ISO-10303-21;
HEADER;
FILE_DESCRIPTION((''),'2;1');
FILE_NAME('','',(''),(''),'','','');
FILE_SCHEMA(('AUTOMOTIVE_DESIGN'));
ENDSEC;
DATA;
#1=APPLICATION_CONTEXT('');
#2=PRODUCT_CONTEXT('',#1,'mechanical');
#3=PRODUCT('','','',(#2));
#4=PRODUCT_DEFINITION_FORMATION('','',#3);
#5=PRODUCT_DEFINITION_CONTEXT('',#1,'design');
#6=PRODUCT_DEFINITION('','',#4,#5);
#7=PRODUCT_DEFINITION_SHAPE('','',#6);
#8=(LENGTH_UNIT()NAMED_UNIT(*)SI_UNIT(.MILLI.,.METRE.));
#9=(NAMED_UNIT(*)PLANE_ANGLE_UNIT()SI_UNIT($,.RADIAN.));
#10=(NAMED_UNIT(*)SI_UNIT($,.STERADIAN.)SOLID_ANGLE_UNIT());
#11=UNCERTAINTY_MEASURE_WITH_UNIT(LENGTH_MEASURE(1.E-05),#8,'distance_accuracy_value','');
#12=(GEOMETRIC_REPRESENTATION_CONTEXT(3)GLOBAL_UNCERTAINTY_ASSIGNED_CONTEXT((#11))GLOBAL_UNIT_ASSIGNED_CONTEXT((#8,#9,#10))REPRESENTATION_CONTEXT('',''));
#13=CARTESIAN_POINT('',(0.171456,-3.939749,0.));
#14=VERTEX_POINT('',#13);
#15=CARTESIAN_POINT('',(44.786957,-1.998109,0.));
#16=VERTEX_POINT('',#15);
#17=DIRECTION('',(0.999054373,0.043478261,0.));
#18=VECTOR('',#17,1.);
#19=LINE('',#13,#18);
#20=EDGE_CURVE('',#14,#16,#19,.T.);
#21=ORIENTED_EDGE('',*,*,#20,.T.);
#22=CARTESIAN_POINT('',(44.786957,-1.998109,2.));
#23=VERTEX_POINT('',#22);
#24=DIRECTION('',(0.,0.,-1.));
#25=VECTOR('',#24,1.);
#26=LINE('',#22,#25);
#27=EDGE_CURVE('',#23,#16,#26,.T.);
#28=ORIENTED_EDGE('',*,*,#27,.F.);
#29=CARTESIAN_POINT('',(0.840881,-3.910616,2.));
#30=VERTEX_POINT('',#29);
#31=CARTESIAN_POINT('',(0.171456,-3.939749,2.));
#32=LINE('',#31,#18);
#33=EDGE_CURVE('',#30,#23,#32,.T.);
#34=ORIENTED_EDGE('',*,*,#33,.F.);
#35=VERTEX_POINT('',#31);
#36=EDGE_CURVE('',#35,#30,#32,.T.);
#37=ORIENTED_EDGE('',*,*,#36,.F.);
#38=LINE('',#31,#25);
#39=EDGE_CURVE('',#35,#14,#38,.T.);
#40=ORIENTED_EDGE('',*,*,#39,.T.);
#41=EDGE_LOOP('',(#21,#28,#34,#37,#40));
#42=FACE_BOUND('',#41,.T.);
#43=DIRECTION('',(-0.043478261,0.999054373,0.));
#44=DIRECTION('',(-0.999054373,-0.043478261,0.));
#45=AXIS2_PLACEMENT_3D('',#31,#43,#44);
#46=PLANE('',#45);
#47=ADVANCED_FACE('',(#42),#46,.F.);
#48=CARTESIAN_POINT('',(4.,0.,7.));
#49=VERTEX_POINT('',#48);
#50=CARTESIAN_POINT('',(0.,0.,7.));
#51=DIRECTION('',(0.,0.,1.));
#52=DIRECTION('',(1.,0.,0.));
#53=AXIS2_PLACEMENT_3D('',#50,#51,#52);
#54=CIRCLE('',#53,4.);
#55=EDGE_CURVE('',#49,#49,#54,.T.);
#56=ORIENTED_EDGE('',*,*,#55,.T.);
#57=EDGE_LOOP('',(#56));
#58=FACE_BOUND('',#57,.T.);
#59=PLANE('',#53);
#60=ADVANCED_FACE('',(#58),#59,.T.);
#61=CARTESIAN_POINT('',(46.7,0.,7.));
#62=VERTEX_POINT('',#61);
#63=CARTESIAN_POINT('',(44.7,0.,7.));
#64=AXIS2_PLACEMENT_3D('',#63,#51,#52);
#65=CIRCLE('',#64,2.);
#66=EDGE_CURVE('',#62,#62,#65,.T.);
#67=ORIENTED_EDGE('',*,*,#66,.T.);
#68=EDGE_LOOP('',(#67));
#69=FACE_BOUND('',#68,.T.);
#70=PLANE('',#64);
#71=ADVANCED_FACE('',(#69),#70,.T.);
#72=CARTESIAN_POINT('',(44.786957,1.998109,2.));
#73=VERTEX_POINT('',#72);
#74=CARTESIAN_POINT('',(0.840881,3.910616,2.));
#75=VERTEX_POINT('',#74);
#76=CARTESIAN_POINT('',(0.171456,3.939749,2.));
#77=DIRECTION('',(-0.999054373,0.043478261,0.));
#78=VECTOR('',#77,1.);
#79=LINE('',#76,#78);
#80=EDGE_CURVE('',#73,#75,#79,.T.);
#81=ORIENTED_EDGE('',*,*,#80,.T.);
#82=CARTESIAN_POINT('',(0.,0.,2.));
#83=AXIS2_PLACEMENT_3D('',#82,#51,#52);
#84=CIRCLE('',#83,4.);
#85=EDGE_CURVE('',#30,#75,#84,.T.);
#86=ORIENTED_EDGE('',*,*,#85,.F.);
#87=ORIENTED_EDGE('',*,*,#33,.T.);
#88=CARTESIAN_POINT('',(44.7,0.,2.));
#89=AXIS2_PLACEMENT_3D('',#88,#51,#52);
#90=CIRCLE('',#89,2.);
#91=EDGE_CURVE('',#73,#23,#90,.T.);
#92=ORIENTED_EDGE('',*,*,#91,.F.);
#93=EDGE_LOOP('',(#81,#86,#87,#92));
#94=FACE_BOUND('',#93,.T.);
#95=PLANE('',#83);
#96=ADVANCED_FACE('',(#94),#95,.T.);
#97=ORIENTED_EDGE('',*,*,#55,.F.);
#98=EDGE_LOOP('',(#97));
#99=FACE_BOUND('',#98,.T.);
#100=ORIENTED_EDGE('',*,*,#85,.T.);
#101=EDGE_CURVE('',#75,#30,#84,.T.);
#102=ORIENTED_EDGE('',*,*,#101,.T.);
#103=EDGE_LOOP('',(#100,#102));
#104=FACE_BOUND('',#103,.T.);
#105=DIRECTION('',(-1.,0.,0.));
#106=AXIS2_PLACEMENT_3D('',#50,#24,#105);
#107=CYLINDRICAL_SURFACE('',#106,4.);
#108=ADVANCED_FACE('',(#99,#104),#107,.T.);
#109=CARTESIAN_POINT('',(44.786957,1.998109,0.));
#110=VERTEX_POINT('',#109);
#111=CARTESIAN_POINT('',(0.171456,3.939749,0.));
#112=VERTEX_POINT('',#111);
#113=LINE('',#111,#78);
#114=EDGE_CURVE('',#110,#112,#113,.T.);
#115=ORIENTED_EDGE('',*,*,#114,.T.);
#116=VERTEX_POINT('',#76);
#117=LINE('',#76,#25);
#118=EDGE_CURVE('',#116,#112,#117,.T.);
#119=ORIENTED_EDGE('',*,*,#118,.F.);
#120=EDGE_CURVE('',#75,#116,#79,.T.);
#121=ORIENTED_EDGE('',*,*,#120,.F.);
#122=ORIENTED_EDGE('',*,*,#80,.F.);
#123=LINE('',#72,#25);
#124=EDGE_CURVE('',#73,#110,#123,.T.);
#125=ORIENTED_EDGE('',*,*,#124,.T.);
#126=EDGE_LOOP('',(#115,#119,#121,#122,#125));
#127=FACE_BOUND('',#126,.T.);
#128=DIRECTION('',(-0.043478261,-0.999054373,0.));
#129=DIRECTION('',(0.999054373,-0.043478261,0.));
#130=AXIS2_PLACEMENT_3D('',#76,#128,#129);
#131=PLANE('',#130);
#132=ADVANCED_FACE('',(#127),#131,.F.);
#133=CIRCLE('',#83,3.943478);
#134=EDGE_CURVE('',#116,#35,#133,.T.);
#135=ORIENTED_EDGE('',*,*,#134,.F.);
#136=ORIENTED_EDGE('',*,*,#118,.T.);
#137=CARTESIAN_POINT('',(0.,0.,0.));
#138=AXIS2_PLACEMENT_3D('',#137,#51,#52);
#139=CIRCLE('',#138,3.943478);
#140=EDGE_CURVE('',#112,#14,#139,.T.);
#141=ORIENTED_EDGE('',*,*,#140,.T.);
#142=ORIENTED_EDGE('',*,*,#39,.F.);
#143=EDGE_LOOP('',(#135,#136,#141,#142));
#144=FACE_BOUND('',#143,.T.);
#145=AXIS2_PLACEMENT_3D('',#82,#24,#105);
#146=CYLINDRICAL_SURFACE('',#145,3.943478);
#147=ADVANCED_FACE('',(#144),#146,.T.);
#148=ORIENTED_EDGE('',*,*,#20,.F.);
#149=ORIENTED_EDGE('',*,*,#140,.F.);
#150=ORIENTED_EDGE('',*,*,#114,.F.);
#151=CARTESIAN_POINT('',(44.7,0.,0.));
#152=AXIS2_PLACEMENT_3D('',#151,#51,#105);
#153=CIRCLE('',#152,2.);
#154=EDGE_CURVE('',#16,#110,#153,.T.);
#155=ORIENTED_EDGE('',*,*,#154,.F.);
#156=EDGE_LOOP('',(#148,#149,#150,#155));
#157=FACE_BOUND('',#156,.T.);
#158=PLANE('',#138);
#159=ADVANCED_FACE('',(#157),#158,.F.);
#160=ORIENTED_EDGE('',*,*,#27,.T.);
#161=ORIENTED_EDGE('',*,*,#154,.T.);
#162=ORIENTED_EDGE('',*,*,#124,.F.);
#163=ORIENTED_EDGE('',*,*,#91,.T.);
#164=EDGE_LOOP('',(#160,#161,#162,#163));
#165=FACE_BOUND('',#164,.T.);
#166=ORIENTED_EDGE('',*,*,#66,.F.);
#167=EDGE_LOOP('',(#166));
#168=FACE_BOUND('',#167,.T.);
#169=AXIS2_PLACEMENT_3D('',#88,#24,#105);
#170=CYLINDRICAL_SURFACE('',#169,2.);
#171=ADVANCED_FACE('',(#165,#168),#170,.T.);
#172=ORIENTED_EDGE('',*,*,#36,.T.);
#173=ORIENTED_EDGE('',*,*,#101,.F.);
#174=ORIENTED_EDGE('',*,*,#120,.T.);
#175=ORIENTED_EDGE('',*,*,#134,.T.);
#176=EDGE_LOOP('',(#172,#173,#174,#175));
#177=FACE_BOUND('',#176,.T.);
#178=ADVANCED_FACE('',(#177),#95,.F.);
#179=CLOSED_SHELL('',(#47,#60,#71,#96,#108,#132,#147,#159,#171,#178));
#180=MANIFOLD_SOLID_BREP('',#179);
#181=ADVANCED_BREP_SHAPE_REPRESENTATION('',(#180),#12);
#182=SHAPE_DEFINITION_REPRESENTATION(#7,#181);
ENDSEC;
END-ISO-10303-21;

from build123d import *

# Parameters (mm, degrees)
BOSS_EXTRUDE1_DEPTH = 2
SKETCH3_R           = 4
SKETCH3_R_2         = 2
BOSS_EXTRUDE2_DEPTH = 5


with BuildPart() as part:
    # Sketch2 → Boss-Extrude1 (new body)
    with BuildSketch(Plane.XY):
        with BuildLine():
            Line((0.171455577, 3.939749203), (44.786956522, 1.998108747))
            ThreePointArc((44.786956522, 1.998108747), (46.7, 0), (44.786956522, -1.998108747))
            Line((44.786956522, -1.998108747), (0.171455577, -3.939749203))
            ThreePointArc((0.171455577, -3.939749203), (-3.943478261, 0), (0.171455577, 3.939749203))
        make_face()
    extrude(amount=BOSS_EXTRUDE1_DEPTH)

    # Sketch3 → Boss-Extrude2 (add)
    with BuildSketch(Plane.XY.offset(2)):
        with Locations(Location((0, 0, 0), (0, 0, 282.135260603))):
            Circle(SKETCH3_R)
        with Locations(Location((44.7, 0, 0), (0, 0, 272.491906369))):
            Circle(SKETCH3_R_2)
    extrude(amount=BOSS_EXTRUDE2_DEPTH)


solid = part.part
